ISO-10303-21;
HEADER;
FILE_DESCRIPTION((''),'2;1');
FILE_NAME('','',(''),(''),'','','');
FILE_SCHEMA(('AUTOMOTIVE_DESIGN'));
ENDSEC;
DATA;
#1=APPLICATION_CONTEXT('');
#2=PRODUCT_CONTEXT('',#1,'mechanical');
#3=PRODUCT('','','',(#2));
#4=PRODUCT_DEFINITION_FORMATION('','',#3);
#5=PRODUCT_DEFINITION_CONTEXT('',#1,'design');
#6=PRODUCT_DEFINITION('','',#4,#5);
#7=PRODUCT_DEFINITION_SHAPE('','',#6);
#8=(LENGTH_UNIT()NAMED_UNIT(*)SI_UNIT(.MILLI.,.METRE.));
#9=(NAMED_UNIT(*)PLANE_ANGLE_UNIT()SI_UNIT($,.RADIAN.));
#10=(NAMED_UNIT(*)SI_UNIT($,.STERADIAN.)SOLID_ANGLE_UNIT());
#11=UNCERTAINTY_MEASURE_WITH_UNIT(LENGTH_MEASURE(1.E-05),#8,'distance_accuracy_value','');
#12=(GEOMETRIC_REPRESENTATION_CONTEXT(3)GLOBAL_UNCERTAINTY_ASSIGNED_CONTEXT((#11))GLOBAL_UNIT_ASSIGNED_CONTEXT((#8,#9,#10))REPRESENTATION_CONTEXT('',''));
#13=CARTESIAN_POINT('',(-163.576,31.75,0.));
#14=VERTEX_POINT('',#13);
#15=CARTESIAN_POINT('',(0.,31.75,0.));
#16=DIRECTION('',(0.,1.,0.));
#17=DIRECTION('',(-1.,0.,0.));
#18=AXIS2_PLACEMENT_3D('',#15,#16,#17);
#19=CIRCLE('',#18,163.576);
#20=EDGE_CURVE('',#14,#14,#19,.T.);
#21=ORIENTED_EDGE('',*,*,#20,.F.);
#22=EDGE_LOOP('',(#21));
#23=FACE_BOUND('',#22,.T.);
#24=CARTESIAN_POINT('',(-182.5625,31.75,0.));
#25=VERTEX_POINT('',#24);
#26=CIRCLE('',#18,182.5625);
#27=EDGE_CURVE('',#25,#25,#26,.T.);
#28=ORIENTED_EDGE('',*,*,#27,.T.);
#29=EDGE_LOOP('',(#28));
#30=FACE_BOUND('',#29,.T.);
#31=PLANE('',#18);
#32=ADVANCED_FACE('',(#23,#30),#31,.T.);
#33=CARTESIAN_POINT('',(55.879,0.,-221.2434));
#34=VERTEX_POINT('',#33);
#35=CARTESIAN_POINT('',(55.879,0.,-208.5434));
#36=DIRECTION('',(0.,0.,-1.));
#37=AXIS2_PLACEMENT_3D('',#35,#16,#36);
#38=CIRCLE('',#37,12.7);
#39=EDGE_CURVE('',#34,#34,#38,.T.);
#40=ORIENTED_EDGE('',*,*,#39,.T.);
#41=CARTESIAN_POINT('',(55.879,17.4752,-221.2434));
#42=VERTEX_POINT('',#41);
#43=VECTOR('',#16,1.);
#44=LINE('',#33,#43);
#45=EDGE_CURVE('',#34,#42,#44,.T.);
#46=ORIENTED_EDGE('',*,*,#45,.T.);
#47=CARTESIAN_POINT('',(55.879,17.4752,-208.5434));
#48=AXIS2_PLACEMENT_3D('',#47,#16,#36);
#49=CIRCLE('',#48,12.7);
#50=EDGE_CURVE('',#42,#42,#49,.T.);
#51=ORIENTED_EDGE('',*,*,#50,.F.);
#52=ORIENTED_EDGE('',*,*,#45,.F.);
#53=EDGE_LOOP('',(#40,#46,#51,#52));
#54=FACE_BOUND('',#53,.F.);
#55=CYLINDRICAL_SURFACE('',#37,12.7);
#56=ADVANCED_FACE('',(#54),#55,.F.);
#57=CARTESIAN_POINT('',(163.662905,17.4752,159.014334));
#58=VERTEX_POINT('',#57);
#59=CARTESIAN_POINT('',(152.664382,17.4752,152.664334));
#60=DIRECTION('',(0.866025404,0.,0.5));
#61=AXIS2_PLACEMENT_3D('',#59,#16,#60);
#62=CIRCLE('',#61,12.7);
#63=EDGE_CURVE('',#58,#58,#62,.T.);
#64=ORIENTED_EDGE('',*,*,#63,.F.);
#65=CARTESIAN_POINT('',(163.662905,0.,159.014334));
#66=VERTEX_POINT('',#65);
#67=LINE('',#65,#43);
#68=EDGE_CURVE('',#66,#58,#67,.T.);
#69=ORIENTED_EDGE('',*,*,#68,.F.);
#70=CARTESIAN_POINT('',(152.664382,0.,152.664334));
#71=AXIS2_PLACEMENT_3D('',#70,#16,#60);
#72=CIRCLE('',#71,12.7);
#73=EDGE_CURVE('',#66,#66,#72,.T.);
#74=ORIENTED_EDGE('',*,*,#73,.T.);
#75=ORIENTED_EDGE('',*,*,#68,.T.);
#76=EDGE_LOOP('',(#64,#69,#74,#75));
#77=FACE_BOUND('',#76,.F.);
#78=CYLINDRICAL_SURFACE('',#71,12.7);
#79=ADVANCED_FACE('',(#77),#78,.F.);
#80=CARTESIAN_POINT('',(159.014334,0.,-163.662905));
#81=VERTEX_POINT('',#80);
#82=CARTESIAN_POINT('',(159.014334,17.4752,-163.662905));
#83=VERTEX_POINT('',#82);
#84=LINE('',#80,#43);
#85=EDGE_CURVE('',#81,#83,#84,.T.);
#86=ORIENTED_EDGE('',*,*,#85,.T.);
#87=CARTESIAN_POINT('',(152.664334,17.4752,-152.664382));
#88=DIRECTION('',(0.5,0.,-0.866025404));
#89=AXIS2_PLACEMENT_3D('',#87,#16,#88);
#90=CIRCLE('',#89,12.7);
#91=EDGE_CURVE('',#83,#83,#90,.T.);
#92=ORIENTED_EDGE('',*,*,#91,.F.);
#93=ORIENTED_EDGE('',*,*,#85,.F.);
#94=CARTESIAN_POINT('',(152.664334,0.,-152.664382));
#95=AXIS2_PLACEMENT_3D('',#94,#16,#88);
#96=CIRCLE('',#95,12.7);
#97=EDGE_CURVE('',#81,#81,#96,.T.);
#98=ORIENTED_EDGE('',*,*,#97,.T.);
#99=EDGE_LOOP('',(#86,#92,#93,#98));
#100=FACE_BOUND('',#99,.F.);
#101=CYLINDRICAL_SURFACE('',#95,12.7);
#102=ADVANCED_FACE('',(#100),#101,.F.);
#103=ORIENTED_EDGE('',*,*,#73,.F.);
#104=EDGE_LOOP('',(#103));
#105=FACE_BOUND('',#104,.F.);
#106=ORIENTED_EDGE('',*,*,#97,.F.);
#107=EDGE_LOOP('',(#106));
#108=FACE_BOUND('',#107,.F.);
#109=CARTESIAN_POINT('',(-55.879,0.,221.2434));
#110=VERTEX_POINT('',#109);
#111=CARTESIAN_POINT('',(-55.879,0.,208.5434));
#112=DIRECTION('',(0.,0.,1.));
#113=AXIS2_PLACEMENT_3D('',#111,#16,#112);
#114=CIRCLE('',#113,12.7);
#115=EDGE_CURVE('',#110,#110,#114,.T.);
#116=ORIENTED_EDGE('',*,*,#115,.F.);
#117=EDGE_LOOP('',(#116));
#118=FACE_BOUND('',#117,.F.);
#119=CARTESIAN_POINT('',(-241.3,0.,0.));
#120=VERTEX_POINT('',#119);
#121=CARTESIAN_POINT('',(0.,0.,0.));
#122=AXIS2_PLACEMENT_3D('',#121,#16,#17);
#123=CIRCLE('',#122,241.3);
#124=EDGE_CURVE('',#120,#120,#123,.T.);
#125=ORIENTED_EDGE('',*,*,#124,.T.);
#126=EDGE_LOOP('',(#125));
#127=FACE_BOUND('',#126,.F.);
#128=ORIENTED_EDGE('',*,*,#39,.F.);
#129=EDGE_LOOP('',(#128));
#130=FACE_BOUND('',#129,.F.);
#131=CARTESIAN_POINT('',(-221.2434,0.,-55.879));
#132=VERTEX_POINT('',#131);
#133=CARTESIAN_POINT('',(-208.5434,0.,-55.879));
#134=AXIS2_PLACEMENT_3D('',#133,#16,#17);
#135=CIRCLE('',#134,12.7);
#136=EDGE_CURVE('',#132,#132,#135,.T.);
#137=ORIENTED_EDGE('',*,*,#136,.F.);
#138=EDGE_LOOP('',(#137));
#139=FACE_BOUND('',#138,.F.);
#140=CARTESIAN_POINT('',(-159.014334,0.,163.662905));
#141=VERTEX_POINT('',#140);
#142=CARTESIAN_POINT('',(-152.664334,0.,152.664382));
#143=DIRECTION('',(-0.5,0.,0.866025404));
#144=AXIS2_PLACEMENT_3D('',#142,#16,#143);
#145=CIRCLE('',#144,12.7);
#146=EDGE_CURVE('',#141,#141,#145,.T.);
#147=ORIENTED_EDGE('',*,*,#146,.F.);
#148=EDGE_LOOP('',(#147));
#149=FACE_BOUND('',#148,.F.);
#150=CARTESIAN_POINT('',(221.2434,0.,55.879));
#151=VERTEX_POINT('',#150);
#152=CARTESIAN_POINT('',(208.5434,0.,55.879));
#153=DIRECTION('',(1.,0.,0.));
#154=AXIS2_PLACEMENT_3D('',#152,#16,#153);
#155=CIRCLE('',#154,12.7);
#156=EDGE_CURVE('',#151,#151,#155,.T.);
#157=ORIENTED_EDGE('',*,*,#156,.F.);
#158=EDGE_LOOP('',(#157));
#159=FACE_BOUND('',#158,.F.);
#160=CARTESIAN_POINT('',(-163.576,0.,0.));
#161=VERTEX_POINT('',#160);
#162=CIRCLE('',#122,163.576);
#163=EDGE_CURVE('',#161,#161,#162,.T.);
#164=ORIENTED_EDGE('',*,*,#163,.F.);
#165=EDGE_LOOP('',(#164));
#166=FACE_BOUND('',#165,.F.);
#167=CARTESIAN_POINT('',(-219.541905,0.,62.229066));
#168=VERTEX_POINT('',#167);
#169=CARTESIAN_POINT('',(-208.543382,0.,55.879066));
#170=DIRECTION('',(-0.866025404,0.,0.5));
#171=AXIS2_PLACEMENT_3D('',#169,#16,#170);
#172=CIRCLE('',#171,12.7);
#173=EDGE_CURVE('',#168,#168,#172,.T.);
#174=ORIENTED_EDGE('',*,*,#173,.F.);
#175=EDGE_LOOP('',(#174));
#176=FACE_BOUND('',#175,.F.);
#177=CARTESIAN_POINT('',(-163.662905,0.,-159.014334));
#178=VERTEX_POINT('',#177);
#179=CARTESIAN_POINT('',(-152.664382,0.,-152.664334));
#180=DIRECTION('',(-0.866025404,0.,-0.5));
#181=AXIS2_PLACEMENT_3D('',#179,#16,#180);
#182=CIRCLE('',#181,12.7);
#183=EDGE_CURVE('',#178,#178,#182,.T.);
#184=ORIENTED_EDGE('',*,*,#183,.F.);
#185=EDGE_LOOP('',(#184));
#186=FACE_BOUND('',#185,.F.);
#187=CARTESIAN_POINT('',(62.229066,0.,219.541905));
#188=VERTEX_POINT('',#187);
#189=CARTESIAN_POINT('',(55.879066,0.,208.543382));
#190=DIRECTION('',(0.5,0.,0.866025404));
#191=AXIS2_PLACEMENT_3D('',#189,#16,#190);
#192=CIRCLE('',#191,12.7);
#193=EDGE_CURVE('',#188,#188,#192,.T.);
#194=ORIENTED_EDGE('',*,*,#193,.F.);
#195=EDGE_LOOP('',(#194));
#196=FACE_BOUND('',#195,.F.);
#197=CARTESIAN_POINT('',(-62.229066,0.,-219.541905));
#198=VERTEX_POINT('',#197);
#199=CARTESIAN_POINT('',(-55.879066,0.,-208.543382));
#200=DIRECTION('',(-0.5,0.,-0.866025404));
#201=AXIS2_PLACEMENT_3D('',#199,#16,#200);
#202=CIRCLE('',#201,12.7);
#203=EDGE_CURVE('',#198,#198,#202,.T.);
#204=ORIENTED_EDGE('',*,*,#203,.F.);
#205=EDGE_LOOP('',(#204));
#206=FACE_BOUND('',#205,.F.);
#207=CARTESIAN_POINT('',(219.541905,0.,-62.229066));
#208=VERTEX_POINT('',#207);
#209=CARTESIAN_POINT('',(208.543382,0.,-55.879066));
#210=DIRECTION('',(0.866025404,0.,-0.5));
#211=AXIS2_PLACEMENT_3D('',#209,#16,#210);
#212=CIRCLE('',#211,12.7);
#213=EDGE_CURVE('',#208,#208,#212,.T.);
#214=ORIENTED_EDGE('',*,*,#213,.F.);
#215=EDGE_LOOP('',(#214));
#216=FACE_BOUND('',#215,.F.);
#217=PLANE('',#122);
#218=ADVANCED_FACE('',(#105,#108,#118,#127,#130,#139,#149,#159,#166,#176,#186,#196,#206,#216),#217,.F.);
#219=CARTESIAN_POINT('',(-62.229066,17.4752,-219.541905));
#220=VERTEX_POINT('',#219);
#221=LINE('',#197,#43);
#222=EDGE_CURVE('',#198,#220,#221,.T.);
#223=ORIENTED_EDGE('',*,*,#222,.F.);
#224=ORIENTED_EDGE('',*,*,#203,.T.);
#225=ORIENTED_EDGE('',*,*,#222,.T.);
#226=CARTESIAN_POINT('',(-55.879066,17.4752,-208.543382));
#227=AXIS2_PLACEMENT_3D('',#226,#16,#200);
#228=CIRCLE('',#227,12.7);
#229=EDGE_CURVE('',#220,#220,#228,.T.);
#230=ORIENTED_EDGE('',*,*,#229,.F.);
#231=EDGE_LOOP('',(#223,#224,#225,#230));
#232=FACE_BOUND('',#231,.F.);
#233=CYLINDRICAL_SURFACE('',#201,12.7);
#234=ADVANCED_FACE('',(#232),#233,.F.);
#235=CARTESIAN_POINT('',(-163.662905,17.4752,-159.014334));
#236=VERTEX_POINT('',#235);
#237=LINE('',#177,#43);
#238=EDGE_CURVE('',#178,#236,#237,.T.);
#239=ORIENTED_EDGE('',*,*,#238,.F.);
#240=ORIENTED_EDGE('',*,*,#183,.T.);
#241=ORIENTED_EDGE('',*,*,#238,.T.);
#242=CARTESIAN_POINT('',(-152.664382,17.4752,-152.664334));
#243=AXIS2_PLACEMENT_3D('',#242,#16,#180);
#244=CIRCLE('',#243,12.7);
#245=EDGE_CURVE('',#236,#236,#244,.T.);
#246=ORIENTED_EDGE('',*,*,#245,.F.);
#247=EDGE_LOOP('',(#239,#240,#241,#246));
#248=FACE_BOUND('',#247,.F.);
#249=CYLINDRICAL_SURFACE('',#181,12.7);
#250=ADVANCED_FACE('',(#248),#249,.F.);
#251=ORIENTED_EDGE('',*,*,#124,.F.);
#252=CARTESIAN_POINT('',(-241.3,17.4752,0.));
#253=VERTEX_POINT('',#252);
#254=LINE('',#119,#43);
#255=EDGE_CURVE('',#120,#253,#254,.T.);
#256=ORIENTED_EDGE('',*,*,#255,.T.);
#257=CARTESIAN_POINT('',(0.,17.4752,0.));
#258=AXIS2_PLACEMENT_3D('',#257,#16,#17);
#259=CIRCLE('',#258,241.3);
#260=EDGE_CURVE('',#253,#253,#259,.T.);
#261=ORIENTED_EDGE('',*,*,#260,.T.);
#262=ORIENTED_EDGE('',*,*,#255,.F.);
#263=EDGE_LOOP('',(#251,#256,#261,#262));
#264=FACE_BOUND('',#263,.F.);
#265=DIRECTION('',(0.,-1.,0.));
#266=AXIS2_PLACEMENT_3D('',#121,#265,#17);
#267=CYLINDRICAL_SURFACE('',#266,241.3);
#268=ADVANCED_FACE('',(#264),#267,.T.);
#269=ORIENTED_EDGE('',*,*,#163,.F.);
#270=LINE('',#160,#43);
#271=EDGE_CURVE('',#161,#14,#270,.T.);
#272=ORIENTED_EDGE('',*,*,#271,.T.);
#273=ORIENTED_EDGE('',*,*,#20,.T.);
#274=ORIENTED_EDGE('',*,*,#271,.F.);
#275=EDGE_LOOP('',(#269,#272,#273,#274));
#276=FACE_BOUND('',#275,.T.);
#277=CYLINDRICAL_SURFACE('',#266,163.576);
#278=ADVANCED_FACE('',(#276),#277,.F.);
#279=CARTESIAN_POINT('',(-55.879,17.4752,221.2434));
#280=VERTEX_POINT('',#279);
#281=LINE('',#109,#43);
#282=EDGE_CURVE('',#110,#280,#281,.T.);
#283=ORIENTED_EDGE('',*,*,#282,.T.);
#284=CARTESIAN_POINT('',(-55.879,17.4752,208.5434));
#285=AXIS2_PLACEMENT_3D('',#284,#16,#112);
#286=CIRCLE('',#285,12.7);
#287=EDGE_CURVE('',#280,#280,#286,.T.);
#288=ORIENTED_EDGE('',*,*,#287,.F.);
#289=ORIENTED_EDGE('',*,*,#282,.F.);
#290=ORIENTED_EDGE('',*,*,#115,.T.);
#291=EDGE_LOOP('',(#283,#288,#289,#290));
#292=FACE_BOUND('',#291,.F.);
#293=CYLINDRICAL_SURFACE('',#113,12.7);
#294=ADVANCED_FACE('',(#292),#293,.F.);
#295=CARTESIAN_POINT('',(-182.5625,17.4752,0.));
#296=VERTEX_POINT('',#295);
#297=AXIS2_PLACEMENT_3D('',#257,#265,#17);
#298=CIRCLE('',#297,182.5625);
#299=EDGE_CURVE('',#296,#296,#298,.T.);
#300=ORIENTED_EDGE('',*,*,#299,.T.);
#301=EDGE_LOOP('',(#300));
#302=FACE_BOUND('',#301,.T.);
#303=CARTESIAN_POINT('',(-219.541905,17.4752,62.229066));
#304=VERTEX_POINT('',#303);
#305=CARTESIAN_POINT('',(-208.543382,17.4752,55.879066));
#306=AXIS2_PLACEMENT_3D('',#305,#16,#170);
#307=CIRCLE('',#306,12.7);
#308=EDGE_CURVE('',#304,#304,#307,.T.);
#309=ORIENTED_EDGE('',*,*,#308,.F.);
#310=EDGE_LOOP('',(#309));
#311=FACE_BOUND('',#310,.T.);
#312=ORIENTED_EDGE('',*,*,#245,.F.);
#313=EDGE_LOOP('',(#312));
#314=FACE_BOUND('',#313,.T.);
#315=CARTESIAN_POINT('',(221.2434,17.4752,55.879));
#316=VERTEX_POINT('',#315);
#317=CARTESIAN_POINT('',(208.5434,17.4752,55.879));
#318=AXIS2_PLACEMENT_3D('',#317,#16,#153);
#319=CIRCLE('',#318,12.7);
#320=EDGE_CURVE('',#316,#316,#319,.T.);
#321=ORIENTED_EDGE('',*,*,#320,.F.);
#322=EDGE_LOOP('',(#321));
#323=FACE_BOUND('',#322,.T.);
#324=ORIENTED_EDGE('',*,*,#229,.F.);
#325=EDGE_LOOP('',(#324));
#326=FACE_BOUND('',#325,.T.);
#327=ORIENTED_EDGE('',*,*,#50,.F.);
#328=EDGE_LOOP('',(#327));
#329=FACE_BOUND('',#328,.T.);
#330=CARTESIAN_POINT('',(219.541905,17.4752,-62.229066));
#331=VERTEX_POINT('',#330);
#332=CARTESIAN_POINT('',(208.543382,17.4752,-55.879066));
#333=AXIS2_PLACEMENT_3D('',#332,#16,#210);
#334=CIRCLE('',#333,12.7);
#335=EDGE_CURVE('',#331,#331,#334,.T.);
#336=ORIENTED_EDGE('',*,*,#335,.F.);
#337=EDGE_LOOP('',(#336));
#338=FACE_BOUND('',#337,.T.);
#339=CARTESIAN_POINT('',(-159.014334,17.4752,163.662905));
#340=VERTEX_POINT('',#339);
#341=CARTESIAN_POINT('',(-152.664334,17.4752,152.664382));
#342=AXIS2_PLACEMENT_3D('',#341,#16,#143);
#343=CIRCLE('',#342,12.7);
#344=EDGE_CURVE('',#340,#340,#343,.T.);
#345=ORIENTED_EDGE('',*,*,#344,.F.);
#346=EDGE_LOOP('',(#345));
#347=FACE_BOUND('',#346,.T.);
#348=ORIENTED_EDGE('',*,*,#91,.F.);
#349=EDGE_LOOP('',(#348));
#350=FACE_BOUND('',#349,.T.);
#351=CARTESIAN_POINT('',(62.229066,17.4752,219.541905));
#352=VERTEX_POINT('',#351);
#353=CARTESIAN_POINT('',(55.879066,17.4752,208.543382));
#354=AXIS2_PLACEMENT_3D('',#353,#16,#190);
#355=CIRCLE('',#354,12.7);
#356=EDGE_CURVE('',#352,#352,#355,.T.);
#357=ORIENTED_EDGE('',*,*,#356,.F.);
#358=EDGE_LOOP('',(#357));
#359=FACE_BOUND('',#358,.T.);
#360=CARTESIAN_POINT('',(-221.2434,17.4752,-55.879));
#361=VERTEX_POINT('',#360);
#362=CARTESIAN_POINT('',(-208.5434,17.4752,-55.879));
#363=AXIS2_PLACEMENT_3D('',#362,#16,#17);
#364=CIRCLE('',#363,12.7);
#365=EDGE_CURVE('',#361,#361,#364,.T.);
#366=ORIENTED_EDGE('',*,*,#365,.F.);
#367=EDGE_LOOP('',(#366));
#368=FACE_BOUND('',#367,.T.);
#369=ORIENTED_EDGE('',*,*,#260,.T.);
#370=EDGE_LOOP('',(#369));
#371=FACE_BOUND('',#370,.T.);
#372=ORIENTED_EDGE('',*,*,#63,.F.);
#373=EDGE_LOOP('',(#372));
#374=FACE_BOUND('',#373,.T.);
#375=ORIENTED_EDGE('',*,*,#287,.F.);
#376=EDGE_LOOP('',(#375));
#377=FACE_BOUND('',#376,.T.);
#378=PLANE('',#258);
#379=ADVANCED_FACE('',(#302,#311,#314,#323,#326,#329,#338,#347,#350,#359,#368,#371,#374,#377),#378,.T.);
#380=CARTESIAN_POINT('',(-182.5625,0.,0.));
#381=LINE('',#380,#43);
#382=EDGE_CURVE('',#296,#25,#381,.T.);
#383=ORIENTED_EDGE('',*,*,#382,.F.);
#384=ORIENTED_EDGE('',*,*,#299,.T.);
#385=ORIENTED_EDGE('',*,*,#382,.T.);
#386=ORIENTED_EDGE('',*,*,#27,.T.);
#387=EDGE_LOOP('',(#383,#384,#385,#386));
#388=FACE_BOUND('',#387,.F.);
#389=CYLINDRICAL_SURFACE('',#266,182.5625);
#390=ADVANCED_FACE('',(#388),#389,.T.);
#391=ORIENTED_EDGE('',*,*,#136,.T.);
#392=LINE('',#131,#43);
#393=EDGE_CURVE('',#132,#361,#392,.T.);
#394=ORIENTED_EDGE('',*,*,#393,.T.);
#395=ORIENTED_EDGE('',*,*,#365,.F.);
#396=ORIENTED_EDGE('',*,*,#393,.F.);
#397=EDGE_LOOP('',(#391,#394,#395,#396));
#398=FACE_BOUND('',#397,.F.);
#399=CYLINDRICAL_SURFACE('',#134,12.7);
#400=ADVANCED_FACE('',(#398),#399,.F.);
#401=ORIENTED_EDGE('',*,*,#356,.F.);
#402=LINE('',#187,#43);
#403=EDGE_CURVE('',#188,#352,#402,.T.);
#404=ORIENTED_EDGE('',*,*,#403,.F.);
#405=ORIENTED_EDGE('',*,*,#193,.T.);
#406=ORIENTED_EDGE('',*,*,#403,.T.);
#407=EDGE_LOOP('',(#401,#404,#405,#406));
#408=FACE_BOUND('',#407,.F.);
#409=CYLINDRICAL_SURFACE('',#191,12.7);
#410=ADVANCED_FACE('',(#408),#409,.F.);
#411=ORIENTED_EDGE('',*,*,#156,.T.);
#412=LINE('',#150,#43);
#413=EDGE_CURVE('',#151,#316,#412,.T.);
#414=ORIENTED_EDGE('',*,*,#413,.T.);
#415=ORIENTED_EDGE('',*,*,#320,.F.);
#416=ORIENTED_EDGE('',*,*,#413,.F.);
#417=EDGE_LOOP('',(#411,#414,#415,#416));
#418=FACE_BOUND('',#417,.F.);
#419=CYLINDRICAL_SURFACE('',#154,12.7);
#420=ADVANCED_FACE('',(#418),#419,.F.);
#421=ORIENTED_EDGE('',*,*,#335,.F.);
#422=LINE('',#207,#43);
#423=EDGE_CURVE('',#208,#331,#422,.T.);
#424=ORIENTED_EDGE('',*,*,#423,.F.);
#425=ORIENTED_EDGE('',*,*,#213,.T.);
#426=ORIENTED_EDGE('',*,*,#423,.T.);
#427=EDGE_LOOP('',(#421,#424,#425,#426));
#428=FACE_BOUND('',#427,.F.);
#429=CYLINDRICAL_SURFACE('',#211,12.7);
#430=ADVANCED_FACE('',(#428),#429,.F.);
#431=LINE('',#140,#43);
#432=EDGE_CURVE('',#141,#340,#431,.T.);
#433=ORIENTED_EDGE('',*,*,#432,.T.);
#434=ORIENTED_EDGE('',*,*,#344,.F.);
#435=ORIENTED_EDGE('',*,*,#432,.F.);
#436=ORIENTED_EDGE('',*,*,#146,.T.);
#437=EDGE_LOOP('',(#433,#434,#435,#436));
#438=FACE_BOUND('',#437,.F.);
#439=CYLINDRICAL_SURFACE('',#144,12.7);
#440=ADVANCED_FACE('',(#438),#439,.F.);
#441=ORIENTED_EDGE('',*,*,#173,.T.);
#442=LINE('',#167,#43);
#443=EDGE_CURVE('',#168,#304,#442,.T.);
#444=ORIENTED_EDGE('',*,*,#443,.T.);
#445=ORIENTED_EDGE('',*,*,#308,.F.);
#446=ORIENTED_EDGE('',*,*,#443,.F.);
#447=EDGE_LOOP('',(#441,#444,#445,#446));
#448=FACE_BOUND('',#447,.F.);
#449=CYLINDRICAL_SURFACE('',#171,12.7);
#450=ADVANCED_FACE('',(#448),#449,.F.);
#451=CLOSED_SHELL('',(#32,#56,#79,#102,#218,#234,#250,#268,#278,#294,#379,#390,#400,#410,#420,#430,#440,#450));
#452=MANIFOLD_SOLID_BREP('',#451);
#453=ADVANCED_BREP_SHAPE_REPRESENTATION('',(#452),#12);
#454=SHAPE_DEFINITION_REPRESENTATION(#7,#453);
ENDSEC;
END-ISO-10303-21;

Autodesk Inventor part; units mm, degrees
ref_plane "YZ Plane" through (0, 0, 0) normal (1, 0, 0) x (0, 1, 0)
ref_plane "XZ Plane" through (0, 0, 0) normal (0, 1, 0) x (-1, 0, 0)
ref_plane "XY Plane" through (0, 0, 0) normal (0, 0, 1) x (1, 0, 0)
sketch "Flange Sketch" plane through (0, 0, 0) normal (0, 1, 0) x (-1, 0, 0)
  circle A0 centre (0, 0) radius 241.3
  circle A1 centre (0, 0) radius 163.576
  circle A2 centre (0, 0) radius 215.9 construction
  line L0 (0, 0) -> (-55.879, -208.5434) construction
  line L1 (0, 0) -> (0, -215.9) construction
  circle A3 centre (0, 0) radius 182.5625
  dimension "outerDiam" = 482.6
  dimension "innerDiam" = 327.152
  dimension "boltCircle" = 431.8
  dimension "boltOffsetAngle" = 15
  dimension "dimensionE" = 365.125
extrude "Flange Extrusion" add sketch "Flange Sketch" along normal blind 17.4752 contours A0 | A3
extrude "Flange Exrusion2" add sketch "Flange Sketch" along normal blind 31.75 contours A3
hole "Bolt Hole" at (55.879, 0, -208.5434) direction (0, 1, 0) diameter 25.4 depth 17.4752
pattern_circular "Bolt Hole Pattern" count 12 over 360 about axis through (0, -10, 0) along (0, 1, 0) of "Bolt Hole"
equation "\"nominalSize\" = 304.8"
properties part number "AWWA C207-18 Class B Ring and Blind Flange"
